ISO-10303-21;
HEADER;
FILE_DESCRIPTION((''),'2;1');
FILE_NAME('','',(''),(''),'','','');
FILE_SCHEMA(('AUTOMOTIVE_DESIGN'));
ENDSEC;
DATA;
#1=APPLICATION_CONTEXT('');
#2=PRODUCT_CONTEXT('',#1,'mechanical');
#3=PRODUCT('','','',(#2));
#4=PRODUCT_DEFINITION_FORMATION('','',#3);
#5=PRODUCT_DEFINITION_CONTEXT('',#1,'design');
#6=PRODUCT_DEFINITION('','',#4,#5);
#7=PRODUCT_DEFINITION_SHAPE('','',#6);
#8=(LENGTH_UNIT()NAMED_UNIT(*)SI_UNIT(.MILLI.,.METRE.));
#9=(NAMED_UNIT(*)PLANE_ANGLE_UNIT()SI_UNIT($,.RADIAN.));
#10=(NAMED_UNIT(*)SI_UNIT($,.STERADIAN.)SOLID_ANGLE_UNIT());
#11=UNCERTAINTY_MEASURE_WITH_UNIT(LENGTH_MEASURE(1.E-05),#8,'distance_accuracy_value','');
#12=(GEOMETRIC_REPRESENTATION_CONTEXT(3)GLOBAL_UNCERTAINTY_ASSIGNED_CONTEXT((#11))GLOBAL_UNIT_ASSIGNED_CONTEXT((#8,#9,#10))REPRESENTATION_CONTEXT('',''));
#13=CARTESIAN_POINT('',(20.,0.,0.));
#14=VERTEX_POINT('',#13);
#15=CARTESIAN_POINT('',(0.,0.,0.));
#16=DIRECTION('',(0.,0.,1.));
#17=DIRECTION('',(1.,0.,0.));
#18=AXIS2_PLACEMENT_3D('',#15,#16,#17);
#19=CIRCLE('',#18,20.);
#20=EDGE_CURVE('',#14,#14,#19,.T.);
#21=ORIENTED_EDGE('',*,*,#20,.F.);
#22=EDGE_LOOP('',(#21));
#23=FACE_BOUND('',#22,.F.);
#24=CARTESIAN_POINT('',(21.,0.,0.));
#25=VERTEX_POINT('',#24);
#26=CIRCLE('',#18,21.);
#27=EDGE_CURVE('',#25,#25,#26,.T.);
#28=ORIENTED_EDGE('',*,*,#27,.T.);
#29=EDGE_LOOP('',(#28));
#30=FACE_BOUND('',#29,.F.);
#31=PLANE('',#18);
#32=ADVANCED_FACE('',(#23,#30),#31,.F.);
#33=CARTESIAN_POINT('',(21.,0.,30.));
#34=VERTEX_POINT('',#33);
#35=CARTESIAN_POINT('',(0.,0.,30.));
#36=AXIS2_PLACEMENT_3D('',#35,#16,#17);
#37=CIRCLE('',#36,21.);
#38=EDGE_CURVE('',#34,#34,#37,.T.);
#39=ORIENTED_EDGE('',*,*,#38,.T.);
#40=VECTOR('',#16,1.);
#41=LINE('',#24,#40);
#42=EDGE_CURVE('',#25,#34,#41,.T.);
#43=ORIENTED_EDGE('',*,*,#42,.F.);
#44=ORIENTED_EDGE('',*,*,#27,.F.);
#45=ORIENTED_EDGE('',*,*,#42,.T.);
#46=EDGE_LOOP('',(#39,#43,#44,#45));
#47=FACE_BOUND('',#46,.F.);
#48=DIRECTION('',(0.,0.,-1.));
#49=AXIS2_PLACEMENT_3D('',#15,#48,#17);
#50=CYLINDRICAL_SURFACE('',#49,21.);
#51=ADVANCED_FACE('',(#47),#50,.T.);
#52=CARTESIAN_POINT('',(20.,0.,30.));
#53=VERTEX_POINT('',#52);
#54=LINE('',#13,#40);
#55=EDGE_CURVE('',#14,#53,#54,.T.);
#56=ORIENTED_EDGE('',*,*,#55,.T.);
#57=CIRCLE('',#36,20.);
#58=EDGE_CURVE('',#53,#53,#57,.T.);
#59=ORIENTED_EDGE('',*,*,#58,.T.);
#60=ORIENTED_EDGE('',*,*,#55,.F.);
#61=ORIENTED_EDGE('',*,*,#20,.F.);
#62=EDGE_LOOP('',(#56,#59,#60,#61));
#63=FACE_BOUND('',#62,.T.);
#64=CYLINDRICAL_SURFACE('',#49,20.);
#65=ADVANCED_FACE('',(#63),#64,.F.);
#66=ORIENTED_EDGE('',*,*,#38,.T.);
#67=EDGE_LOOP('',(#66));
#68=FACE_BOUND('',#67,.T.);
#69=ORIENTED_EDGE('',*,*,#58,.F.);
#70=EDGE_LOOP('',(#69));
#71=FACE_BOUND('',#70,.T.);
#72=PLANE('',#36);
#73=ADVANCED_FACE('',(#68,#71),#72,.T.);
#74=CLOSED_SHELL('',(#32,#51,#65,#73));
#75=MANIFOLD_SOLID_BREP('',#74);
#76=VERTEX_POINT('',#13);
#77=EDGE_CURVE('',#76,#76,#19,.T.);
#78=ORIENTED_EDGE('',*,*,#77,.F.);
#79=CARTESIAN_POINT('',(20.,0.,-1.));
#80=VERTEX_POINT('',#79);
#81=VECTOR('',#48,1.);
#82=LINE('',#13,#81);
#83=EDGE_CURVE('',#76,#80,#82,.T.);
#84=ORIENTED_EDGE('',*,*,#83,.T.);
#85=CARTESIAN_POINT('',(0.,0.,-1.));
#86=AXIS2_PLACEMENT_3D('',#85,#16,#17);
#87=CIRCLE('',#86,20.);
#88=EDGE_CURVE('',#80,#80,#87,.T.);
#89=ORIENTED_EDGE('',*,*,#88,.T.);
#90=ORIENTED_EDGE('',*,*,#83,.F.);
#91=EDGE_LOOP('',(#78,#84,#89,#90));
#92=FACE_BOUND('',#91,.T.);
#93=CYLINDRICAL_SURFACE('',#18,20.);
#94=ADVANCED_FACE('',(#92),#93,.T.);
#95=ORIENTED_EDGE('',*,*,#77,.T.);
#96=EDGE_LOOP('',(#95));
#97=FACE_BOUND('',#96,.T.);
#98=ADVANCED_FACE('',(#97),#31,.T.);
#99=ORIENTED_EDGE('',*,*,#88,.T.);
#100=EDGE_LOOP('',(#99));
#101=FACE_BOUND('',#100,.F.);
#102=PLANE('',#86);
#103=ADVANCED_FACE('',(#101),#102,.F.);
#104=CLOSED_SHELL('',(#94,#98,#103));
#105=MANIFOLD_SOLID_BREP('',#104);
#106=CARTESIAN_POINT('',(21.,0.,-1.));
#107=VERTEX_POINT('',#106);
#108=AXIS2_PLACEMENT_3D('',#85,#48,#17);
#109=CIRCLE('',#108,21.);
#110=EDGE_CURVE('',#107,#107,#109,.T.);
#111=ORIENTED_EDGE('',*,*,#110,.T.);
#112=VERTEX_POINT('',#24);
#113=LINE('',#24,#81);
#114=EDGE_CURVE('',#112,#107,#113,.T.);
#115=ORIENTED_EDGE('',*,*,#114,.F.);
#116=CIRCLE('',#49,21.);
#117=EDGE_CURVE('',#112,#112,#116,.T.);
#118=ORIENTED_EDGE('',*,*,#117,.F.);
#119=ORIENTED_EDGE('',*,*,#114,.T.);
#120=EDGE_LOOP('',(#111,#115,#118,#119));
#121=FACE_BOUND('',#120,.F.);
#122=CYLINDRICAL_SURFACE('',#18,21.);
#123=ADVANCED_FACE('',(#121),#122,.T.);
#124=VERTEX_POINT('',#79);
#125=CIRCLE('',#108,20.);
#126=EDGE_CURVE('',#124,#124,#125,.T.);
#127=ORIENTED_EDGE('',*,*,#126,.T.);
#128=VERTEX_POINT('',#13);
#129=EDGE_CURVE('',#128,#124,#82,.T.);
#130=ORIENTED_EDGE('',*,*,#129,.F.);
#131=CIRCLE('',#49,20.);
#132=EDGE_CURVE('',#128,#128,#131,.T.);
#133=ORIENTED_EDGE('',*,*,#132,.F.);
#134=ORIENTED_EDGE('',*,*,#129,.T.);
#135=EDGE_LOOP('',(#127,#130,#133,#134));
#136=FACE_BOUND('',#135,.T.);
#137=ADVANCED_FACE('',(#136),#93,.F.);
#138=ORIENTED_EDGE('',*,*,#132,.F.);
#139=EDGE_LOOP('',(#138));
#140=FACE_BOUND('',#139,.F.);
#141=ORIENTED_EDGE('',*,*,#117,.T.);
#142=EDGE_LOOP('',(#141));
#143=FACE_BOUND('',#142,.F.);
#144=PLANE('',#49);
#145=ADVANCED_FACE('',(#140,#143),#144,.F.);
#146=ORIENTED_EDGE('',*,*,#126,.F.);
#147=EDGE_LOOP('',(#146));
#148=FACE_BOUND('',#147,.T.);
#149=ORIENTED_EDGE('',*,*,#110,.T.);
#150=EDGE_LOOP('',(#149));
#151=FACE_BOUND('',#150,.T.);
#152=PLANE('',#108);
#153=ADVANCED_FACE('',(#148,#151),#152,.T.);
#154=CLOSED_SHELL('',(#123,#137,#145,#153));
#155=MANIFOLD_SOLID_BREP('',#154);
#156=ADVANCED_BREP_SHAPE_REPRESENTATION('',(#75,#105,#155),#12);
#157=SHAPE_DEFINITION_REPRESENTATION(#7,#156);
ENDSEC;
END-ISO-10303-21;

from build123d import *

# Parameters (mm, degrees)
F0_R        = 21
F0_R_2      = 20
F1_DEPTH    = 30
F2_DEPTH    = 1
F1_FACE_R   = 21
F1_FACE_R_2 = 20
F3_DEPTH    = 1


with BuildPart() as f1:
    # F0 (on Top) → F1 (new body)
    with BuildSketch(Plane.XY):
        Circle(F0_R)
        Circle(F0_R_2, mode=Mode.SUBTRACT)
    extrude(amount=F1_DEPTH)


with BuildPart() as f2:
    # F0 (on Top) → F2 (new body)
    with BuildSketch(Plane.XY):
        Circle(F0_R_2)
    extrude(amount=-F2_DEPTH)


with BuildPart() as f3:
    # F1_face (on face) → F3 (new body)
    with BuildSketch(Plane(origin=(0, 0, 0), x_dir=(1, 0, 0), z_dir=(0, 0, -1))):
        Circle(F1_FACE_R)
        Circle(F1_FACE_R_2, mode=Mode.SUBTRACT)
    extrude(amount=F3_DEPTH)


solid = Compound([f1.part, f2.part, f3.part])
